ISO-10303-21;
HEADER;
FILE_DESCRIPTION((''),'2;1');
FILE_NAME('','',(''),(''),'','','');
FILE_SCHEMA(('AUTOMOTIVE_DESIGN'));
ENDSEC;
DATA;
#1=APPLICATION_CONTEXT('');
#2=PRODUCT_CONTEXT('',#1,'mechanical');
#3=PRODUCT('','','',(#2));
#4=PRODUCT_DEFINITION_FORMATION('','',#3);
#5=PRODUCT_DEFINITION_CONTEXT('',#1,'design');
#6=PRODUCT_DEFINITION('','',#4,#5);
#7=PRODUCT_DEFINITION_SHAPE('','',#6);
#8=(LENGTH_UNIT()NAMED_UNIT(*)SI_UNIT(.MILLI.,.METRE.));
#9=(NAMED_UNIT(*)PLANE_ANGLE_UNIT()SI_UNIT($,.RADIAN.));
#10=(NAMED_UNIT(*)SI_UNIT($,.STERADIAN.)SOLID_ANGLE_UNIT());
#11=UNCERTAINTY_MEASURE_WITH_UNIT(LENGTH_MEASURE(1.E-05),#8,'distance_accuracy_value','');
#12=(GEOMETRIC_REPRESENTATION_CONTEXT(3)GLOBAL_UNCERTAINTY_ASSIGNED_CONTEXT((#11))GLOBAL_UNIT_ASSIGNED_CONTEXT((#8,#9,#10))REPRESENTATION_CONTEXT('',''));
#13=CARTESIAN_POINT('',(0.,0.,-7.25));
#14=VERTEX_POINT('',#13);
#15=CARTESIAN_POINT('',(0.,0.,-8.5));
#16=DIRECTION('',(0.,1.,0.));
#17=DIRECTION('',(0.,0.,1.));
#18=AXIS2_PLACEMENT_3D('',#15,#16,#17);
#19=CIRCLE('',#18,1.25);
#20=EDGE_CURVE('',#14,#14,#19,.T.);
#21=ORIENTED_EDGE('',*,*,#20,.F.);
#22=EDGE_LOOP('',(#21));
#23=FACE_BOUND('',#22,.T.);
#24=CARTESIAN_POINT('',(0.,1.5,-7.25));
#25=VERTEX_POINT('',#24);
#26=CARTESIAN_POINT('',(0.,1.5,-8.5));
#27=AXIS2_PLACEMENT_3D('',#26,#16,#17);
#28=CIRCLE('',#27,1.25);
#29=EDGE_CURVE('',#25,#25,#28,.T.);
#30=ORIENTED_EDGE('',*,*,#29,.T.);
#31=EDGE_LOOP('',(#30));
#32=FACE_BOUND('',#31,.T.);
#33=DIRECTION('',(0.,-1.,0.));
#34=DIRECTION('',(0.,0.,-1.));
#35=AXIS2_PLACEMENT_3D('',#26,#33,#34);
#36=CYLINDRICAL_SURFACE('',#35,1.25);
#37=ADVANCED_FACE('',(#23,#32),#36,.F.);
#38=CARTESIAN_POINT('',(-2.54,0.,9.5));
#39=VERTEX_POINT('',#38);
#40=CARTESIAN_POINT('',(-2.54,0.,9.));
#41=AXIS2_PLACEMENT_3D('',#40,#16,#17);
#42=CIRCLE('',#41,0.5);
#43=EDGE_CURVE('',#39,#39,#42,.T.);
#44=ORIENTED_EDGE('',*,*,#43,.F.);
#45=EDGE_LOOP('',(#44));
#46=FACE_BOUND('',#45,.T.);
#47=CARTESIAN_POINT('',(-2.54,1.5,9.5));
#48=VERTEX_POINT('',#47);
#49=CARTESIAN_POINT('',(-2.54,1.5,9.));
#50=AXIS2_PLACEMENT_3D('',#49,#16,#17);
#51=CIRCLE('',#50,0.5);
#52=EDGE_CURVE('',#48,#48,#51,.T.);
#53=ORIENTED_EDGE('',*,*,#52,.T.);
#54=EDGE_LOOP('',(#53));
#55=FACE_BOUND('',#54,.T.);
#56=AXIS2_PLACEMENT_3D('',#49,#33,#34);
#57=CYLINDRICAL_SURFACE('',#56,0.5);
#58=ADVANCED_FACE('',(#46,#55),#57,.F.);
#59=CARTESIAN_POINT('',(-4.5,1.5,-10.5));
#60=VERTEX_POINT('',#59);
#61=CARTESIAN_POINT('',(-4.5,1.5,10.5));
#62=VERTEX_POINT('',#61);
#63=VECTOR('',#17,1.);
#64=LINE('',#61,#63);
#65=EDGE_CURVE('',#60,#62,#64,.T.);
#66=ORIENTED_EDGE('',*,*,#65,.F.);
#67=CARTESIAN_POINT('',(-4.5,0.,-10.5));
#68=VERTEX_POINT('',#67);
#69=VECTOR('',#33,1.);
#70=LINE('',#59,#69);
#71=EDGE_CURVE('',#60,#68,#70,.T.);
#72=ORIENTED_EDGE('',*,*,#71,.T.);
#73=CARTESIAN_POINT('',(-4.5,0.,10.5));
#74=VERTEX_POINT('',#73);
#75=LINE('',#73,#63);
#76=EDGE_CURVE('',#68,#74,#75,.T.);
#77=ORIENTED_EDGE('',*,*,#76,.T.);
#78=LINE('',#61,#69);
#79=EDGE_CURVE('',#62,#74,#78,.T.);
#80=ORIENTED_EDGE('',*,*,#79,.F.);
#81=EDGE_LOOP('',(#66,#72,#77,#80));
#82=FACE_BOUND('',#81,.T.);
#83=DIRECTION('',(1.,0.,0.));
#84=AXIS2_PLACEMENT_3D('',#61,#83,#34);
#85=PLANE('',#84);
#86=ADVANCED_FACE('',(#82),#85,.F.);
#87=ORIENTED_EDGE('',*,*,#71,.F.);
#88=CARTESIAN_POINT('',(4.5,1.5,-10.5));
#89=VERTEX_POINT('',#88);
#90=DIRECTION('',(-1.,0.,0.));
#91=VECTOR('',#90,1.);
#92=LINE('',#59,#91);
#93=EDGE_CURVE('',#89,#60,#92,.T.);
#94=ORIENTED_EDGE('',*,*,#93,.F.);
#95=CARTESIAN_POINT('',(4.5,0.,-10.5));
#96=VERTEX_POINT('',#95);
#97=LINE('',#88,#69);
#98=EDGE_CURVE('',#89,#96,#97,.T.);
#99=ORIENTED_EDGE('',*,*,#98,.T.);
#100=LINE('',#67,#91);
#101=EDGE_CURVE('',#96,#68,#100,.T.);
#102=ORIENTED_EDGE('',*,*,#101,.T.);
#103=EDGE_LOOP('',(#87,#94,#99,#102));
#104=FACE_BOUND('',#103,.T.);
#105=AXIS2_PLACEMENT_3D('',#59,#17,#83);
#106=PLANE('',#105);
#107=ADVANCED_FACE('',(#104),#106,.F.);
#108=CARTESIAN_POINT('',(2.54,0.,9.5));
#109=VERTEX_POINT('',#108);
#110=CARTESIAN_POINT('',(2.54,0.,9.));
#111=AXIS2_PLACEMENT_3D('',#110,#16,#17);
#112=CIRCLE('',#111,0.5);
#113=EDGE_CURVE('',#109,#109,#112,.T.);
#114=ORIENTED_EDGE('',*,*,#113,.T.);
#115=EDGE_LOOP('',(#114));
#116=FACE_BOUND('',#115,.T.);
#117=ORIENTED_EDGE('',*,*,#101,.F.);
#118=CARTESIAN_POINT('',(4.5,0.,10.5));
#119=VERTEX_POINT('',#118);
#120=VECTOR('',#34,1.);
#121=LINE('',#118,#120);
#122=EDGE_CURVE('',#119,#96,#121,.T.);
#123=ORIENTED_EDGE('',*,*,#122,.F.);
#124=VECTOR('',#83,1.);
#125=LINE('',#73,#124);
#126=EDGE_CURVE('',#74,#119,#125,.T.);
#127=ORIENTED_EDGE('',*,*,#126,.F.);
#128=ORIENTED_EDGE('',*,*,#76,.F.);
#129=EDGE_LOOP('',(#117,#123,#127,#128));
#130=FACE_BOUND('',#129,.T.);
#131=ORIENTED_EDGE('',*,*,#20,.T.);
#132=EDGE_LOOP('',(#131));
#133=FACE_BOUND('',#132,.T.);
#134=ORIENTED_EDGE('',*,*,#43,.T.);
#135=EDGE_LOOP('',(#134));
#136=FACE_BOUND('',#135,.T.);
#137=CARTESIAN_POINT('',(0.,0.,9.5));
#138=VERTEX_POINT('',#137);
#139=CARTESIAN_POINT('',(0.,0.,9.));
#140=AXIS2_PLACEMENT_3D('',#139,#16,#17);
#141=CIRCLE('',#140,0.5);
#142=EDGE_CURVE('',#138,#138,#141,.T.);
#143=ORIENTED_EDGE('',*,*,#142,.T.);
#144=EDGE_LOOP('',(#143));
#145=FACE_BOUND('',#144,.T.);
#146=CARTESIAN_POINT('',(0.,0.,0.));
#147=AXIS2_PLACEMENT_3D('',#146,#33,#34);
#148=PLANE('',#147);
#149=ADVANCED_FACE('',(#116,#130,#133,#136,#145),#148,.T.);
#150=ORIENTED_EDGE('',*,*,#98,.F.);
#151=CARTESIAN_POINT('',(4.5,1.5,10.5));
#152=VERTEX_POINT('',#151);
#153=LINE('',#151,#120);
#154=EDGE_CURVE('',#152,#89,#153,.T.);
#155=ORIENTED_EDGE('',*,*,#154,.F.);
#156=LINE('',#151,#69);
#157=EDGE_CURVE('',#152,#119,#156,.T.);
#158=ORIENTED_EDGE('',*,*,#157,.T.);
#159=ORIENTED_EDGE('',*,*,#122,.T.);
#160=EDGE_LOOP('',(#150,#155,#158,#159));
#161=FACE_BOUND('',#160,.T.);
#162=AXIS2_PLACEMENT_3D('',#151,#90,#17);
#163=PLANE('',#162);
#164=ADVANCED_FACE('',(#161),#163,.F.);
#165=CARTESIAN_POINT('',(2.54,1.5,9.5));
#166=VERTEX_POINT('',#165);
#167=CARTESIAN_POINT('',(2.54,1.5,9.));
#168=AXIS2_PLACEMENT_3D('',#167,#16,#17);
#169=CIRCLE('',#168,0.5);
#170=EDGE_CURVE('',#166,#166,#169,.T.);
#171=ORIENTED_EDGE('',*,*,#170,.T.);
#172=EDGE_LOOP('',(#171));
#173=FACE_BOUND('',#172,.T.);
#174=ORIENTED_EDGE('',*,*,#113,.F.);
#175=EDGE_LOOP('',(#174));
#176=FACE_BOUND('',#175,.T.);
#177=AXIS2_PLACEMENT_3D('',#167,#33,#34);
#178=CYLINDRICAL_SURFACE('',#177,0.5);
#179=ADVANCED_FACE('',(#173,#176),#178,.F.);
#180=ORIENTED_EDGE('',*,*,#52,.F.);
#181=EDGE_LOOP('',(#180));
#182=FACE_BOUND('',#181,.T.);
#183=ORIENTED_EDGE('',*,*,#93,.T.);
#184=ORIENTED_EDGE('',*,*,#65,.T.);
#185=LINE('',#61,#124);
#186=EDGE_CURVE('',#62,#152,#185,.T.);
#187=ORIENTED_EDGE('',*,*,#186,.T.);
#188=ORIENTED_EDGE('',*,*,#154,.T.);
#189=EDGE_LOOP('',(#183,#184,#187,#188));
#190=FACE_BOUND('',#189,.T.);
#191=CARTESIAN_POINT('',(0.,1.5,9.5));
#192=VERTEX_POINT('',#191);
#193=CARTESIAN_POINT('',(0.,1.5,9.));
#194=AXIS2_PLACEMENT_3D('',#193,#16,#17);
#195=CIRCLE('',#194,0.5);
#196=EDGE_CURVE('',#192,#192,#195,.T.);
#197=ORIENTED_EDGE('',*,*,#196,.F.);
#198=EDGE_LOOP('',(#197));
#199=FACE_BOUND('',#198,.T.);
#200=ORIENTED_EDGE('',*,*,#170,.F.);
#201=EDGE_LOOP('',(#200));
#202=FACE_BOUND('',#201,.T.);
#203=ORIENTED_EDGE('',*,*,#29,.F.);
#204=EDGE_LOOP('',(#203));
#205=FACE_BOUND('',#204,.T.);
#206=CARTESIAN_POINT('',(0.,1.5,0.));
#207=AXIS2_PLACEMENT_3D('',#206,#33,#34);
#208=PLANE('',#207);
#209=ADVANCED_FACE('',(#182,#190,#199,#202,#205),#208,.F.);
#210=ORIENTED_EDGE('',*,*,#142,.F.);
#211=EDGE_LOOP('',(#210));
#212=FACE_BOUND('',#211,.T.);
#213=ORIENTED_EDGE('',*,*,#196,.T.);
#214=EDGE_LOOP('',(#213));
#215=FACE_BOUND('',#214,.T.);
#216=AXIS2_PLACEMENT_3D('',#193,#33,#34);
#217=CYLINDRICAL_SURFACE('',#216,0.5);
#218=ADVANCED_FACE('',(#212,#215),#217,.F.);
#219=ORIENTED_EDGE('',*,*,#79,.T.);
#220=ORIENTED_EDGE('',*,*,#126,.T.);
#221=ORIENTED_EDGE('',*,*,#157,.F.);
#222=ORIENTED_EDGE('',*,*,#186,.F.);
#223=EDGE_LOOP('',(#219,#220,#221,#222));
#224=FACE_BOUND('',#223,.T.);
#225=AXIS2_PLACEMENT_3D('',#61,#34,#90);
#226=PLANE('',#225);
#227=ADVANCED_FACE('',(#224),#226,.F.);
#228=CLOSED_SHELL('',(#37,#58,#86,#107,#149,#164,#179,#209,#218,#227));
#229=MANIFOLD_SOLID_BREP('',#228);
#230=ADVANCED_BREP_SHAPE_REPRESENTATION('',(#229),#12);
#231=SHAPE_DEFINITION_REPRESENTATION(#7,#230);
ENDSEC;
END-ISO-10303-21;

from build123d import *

# Parameters (mm, degrees)
CROQUIS1_W              = 9
CROQUIS1_H              = 21
CROQUIS1_R              = 1.25
CROQUIS1_R_2            = 0.5
SALIENTE_EXTRUIR1_DEPTH = 1.5


with BuildPart() as part:
    # Croquis1 → Saliente-Extruir1 (new body)
    with BuildSketch(Plane(origin=(0, 0, 0), x_dir=(1, 0, 0), z_dir=(0, 1, 0))):
        Rectangle(CROQUIS1_W, CROQUIS1_H)
        with Locations((0, 8.5)):
            Circle(CROQUIS1_R, mode=Mode.SUBTRACT)
        with Locations((-2.54, -9)):
            Circle(CROQUIS1_R_2, mode=Mode.SUBTRACT)
        with Locations((0, -9)):
            Circle(CROQUIS1_R_2, mode=Mode.SUBTRACT)
        with Locations((2.54, -9)):
            Circle(CROQUIS1_R_2, mode=Mode.SUBTRACT)
    extrude(amount=SALIENTE_EXTRUIR1_DEPTH)


solid = part.part
